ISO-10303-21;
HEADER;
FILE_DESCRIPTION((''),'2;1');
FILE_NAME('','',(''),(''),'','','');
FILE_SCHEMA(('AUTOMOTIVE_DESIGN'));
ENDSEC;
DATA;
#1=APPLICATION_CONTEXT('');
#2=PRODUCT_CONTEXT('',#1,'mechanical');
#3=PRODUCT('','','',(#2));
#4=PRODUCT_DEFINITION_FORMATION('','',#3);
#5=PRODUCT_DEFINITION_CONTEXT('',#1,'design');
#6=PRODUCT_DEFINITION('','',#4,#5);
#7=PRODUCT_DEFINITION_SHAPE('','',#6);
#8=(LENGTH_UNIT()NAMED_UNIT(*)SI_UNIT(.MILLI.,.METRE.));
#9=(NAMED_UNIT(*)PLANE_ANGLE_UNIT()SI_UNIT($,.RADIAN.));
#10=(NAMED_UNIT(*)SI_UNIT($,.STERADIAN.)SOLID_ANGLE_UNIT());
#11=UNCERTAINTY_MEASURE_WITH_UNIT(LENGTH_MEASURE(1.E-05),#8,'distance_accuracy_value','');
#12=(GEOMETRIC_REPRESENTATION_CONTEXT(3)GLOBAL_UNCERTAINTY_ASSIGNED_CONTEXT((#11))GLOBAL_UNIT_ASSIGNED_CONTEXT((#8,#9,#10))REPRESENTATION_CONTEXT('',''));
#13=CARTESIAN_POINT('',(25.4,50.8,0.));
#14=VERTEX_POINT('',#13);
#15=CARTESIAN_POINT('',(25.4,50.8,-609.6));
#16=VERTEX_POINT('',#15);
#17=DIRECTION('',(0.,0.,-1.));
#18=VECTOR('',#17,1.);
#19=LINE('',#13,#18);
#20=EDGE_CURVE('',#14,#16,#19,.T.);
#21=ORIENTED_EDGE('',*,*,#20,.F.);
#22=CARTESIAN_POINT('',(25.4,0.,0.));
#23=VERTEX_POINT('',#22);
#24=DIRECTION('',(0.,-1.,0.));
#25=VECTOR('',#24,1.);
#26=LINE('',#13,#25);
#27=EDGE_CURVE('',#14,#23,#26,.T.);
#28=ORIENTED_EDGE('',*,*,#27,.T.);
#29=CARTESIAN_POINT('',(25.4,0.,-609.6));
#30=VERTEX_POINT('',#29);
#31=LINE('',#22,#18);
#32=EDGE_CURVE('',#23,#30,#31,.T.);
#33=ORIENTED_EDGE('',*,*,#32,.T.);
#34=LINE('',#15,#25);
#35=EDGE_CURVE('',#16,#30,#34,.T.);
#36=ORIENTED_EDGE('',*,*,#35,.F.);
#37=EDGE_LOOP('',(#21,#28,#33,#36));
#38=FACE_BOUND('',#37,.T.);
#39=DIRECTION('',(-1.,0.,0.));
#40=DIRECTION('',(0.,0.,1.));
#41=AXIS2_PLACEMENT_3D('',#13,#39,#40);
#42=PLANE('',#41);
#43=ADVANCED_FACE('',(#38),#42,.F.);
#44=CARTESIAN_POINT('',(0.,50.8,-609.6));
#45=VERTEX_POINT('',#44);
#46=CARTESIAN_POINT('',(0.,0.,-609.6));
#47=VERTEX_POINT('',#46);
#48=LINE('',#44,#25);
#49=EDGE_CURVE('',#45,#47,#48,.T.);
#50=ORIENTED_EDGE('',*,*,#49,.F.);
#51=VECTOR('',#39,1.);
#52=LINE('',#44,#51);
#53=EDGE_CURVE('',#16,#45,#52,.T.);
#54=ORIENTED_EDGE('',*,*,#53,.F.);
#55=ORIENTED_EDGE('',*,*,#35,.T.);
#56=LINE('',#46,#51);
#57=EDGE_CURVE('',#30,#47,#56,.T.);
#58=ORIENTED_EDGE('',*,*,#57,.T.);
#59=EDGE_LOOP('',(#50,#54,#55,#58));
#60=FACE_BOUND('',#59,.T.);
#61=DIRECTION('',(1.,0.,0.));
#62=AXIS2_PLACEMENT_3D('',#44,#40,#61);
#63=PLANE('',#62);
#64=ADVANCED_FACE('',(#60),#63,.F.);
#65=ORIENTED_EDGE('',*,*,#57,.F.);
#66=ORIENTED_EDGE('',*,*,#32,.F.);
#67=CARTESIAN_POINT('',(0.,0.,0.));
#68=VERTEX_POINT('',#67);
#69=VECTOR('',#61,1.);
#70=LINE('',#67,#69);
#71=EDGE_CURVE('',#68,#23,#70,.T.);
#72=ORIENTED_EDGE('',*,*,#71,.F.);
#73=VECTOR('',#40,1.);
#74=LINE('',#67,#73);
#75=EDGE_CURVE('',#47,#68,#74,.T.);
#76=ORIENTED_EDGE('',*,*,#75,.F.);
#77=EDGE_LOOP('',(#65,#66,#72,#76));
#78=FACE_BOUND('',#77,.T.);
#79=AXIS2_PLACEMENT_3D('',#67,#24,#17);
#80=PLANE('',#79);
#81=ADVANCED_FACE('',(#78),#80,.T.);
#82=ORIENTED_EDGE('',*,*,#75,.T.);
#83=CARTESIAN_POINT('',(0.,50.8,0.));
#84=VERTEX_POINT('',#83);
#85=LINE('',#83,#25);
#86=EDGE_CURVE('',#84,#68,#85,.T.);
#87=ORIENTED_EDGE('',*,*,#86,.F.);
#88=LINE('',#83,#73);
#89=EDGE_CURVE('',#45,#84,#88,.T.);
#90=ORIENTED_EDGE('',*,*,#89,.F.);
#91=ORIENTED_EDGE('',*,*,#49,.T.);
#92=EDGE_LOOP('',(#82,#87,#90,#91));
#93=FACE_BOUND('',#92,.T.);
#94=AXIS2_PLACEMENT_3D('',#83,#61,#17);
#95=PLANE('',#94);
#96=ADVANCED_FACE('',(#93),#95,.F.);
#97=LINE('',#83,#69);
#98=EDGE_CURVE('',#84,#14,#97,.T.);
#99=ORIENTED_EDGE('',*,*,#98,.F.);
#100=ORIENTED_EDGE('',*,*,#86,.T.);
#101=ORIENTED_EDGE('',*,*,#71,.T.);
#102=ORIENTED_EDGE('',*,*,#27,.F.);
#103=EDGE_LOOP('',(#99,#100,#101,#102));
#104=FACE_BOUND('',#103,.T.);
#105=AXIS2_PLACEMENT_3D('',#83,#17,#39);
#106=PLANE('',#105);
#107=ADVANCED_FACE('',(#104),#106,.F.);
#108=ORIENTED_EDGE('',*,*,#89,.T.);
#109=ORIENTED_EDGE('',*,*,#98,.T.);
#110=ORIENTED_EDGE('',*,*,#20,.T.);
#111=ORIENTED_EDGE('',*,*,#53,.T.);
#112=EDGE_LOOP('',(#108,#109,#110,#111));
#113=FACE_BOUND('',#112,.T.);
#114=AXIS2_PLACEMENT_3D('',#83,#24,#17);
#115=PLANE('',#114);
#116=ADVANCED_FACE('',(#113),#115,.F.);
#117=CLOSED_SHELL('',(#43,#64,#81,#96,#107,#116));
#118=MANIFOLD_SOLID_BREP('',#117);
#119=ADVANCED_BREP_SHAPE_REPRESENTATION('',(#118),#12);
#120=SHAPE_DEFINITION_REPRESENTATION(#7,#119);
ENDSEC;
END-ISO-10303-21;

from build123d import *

# Parameters (mm, degrees)
SKETCH1_W           = 25.4
SKETCH1_H           = 609.6
BOSS_EXTRUDE1_DEPTH = 50.8


with BuildPart() as part:
    # Sketch1 → Boss-Extrude1 (new body)
    with BuildSketch(Plane(origin=(0, 0, 0), x_dir=(1, 0, 0), z_dir=(0, 1, 0))):
        with Locations((12.7, 304.8)):
            Rectangle(SKETCH1_W, SKETCH1_H)
    extrude(amount=BOSS_EXTRUDE1_DEPTH)


solid = part.part
